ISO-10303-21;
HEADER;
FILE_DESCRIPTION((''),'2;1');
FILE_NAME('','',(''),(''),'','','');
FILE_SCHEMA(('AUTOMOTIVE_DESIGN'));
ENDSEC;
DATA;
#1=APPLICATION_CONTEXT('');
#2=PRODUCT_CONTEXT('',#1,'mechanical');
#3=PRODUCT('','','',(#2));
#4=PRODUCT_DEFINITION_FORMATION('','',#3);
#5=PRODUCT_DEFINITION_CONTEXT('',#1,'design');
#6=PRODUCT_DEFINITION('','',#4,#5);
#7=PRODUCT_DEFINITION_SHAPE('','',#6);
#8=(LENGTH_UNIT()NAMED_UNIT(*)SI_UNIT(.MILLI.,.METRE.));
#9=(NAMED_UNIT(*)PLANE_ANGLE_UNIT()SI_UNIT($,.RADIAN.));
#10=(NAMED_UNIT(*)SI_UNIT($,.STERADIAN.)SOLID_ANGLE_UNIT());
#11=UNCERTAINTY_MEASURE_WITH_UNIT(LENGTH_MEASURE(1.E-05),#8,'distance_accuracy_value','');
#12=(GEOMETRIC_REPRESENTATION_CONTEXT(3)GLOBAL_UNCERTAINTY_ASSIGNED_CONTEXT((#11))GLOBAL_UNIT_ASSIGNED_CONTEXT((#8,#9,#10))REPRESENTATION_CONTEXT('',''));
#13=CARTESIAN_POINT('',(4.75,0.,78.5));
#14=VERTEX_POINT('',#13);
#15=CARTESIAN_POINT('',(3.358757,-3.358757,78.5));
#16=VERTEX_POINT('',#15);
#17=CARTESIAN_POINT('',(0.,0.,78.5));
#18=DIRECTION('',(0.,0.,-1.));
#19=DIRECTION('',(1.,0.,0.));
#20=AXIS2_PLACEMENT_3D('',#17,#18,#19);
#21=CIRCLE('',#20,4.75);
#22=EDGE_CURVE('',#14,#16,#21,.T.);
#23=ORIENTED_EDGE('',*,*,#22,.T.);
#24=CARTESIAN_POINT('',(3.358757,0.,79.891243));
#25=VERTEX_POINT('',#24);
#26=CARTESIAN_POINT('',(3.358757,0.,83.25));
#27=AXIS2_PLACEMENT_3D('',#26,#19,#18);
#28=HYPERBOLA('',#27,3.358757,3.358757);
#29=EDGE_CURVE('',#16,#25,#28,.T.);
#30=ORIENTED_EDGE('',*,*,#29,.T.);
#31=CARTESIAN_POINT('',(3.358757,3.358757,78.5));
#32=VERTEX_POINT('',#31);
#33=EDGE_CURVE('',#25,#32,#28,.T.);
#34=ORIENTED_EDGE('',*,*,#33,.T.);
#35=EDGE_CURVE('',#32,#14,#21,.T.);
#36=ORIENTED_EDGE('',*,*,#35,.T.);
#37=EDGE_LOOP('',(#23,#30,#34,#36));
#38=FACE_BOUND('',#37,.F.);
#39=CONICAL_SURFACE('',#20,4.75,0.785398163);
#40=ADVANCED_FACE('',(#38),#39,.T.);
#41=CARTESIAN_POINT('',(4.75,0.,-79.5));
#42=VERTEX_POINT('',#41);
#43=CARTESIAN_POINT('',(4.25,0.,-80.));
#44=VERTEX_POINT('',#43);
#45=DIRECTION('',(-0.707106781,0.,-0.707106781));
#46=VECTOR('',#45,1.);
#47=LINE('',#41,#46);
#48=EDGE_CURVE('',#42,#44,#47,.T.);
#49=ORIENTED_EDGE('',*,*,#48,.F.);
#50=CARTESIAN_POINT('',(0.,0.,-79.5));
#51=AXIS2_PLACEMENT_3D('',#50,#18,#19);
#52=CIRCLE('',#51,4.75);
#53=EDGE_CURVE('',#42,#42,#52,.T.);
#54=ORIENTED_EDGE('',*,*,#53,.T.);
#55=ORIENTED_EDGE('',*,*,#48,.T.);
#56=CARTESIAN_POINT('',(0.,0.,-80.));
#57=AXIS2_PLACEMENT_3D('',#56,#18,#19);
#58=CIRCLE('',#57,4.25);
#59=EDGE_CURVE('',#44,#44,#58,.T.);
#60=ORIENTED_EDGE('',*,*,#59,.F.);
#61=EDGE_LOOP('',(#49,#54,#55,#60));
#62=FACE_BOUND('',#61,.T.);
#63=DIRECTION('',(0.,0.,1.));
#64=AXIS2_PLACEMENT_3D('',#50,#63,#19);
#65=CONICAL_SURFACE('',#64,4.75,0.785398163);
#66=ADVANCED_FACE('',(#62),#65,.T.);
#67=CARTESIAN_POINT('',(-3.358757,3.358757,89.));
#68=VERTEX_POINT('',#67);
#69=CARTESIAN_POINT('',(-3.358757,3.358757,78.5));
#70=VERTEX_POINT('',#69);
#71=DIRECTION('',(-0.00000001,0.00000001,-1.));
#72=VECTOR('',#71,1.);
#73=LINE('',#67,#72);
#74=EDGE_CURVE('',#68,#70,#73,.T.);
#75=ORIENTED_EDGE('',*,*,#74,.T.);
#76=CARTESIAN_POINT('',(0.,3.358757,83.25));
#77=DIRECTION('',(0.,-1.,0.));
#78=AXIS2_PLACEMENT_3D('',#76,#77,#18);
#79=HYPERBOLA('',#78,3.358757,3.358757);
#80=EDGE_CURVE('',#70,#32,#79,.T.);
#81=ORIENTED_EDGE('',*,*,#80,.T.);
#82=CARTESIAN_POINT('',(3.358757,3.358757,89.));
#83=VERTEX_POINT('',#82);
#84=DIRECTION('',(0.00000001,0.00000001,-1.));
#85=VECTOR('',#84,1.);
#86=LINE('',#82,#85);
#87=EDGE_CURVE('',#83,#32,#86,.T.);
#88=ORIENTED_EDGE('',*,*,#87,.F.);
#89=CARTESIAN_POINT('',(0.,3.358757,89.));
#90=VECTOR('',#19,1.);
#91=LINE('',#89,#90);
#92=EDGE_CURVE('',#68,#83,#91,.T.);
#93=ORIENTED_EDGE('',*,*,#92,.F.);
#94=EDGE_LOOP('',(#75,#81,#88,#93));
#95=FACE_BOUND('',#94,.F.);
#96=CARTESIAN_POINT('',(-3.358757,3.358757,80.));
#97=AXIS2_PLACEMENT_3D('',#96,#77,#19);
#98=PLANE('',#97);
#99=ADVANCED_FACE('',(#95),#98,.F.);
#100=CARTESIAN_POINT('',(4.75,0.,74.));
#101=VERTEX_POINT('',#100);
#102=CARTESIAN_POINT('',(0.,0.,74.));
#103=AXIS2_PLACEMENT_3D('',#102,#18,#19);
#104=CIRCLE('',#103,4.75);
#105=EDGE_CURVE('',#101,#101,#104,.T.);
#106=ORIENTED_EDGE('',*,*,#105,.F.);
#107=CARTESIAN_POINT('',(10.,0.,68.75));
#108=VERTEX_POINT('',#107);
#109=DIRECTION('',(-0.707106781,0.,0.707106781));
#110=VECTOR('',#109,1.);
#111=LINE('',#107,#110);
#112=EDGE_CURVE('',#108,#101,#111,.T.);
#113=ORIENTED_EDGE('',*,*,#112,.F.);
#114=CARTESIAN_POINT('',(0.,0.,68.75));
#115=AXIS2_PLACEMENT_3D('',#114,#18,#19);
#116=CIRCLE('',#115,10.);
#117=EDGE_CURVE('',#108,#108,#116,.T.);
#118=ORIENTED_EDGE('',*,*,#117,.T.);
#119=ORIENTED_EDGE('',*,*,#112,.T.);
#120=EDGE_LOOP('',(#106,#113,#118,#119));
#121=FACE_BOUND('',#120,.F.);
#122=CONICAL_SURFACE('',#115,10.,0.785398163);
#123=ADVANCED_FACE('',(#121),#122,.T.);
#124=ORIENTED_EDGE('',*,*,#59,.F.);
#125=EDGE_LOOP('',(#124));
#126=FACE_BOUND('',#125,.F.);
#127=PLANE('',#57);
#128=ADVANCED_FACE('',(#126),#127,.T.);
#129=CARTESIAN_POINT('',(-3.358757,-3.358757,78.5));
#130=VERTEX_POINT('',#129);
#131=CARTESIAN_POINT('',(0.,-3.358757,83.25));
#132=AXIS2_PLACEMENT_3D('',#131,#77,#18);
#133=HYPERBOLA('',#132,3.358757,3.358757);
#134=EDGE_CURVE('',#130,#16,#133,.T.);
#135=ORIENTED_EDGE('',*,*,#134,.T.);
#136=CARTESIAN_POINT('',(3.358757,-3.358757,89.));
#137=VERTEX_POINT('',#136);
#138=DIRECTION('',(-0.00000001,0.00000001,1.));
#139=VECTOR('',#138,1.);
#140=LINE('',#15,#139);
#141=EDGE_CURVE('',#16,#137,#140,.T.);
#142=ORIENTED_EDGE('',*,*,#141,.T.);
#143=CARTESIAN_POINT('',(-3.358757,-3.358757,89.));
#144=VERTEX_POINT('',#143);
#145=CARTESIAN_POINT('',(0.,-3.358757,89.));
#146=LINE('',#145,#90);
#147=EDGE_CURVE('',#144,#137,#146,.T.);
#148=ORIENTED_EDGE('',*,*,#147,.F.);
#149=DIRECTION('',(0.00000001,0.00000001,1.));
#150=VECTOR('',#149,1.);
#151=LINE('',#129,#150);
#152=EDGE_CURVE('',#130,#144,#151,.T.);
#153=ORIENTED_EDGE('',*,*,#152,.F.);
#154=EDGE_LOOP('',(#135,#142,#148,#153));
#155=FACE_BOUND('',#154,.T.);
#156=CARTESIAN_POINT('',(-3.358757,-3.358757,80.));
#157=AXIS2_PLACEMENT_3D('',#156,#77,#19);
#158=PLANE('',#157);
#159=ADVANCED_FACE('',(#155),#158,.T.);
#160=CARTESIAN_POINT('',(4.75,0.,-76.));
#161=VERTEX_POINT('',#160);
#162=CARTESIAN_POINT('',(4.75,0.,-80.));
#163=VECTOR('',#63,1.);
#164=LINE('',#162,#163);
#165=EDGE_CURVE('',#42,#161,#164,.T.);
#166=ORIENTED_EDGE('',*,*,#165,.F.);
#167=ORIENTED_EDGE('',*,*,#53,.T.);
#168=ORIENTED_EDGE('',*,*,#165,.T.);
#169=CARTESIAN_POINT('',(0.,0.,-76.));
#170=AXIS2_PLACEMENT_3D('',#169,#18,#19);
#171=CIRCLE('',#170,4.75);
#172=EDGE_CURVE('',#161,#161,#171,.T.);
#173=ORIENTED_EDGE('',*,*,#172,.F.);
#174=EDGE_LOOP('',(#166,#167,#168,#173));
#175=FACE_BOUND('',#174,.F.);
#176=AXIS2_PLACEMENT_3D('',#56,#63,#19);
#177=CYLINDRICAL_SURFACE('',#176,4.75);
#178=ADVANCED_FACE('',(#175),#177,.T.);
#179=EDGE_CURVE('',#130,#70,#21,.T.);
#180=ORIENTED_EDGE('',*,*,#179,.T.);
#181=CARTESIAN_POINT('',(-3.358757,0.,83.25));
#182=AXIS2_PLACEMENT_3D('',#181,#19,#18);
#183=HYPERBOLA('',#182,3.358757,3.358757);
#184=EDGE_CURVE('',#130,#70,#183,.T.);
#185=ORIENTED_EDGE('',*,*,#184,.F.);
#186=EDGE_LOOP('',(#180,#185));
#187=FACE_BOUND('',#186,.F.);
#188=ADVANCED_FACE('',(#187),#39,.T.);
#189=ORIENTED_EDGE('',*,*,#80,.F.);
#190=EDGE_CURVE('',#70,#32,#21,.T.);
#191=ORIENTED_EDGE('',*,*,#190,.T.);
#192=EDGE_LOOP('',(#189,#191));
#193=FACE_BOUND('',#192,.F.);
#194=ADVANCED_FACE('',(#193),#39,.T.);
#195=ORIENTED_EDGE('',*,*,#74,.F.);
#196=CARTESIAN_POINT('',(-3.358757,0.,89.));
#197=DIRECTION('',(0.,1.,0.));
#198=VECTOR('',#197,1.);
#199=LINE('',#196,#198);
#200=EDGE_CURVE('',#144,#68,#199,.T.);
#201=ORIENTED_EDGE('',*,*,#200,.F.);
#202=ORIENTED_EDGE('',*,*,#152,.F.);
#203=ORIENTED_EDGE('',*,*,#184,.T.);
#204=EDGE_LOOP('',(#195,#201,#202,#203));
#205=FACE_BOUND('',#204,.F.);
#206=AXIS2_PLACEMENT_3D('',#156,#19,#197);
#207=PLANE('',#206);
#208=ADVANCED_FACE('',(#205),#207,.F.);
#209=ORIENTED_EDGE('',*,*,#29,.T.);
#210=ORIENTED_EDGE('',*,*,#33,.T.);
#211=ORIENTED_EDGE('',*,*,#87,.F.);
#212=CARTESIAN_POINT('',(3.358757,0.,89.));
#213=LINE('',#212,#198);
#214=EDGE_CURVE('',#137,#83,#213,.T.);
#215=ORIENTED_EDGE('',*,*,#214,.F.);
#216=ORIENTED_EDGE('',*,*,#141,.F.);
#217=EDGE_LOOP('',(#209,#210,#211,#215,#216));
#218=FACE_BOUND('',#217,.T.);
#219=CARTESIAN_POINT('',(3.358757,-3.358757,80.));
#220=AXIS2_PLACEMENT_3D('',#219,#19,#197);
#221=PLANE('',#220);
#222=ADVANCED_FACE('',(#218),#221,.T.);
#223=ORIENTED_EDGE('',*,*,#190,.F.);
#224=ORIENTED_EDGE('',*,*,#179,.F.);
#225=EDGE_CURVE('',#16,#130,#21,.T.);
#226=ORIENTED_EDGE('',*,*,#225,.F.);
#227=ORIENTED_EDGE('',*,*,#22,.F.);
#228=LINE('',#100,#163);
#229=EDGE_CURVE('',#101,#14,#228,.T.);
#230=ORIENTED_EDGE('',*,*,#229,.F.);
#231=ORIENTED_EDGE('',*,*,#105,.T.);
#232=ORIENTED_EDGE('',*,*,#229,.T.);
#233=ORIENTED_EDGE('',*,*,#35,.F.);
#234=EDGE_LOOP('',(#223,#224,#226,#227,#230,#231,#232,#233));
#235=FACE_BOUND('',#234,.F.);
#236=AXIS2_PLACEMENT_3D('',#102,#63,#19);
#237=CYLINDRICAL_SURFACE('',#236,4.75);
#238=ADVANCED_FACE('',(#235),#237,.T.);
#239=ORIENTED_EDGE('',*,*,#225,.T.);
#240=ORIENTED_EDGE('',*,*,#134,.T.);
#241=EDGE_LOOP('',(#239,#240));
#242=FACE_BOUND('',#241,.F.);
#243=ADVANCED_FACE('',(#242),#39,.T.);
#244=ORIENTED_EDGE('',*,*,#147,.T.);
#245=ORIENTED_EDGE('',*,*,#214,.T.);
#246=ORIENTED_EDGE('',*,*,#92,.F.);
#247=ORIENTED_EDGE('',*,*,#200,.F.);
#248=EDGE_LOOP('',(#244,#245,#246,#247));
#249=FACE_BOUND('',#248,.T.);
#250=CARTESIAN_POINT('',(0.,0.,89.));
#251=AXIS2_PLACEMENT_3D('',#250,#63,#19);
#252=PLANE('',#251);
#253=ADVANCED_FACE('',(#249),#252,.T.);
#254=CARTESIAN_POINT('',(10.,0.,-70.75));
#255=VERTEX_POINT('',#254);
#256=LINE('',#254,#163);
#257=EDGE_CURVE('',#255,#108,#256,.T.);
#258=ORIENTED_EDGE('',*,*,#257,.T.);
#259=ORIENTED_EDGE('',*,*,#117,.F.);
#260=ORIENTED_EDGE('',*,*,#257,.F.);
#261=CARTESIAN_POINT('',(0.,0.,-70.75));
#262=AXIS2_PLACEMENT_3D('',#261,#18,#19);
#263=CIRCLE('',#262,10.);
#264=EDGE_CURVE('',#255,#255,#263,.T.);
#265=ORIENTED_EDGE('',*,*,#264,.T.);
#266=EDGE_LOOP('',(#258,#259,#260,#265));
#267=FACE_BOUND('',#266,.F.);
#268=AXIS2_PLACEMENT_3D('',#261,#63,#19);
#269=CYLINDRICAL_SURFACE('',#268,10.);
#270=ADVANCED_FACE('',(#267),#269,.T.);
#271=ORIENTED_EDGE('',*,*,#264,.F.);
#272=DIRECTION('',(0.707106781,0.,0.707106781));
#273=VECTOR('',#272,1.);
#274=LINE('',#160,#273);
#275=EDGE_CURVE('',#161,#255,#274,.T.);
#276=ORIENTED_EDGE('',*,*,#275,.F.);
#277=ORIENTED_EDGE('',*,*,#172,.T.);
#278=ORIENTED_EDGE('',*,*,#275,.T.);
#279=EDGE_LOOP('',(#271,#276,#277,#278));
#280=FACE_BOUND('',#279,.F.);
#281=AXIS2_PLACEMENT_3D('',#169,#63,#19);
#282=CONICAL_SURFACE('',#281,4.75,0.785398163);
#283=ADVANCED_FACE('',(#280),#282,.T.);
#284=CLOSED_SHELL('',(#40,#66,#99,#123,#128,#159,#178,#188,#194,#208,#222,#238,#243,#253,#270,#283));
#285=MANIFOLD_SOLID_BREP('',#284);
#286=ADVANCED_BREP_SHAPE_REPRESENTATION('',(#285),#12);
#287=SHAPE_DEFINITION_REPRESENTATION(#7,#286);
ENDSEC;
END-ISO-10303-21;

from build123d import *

# Parameters (mm, degrees)
F2_SIZE       = 1.5
F3_W          = 6.717514
F3_H          = 6.717514
F4_DEPTH      = 9
F4_DEPTH_BACK = 3
F5_SIZE       = 0.5


with BuildPart() as f1:
    # F0 (on Front) → F1 (revolve)
    with BuildSketch(Plane.XZ):
        Polygon((0, 80), (0, -80), (4.75, -80), (4.75, -76), (10, -70.75), (10, 68.75), (4.75, 74), (4.75, 80), align=None)
    revolve(axis=Axis((0, 0, 0), (0, 0, -1)))

    # F2
    f2_edges = [f1.edges().sort_by_distance(p)[0] for p in [
        (-4.75, 0, 80),
    ]]
    chamfer(f2_edges, length=F2_SIZE)

    # F3 (on face) → F4 (join, two sides)
    with BuildSketch(Plane.XY.offset(80)) as f4_sk:
        Rectangle(F3_W, F3_H)
    extrude(amount=F4_DEPTH)
    extrude(f4_sk.sketch, amount=-F4_DEPTH_BACK)

    # F5
    f5_edges = [f1.edges().sort_by_distance(p)[0] for p in [
        (-4.75, 0, -80),
    ]]
    chamfer(f5_edges, length=F5_SIZE)


solid = f1.part
